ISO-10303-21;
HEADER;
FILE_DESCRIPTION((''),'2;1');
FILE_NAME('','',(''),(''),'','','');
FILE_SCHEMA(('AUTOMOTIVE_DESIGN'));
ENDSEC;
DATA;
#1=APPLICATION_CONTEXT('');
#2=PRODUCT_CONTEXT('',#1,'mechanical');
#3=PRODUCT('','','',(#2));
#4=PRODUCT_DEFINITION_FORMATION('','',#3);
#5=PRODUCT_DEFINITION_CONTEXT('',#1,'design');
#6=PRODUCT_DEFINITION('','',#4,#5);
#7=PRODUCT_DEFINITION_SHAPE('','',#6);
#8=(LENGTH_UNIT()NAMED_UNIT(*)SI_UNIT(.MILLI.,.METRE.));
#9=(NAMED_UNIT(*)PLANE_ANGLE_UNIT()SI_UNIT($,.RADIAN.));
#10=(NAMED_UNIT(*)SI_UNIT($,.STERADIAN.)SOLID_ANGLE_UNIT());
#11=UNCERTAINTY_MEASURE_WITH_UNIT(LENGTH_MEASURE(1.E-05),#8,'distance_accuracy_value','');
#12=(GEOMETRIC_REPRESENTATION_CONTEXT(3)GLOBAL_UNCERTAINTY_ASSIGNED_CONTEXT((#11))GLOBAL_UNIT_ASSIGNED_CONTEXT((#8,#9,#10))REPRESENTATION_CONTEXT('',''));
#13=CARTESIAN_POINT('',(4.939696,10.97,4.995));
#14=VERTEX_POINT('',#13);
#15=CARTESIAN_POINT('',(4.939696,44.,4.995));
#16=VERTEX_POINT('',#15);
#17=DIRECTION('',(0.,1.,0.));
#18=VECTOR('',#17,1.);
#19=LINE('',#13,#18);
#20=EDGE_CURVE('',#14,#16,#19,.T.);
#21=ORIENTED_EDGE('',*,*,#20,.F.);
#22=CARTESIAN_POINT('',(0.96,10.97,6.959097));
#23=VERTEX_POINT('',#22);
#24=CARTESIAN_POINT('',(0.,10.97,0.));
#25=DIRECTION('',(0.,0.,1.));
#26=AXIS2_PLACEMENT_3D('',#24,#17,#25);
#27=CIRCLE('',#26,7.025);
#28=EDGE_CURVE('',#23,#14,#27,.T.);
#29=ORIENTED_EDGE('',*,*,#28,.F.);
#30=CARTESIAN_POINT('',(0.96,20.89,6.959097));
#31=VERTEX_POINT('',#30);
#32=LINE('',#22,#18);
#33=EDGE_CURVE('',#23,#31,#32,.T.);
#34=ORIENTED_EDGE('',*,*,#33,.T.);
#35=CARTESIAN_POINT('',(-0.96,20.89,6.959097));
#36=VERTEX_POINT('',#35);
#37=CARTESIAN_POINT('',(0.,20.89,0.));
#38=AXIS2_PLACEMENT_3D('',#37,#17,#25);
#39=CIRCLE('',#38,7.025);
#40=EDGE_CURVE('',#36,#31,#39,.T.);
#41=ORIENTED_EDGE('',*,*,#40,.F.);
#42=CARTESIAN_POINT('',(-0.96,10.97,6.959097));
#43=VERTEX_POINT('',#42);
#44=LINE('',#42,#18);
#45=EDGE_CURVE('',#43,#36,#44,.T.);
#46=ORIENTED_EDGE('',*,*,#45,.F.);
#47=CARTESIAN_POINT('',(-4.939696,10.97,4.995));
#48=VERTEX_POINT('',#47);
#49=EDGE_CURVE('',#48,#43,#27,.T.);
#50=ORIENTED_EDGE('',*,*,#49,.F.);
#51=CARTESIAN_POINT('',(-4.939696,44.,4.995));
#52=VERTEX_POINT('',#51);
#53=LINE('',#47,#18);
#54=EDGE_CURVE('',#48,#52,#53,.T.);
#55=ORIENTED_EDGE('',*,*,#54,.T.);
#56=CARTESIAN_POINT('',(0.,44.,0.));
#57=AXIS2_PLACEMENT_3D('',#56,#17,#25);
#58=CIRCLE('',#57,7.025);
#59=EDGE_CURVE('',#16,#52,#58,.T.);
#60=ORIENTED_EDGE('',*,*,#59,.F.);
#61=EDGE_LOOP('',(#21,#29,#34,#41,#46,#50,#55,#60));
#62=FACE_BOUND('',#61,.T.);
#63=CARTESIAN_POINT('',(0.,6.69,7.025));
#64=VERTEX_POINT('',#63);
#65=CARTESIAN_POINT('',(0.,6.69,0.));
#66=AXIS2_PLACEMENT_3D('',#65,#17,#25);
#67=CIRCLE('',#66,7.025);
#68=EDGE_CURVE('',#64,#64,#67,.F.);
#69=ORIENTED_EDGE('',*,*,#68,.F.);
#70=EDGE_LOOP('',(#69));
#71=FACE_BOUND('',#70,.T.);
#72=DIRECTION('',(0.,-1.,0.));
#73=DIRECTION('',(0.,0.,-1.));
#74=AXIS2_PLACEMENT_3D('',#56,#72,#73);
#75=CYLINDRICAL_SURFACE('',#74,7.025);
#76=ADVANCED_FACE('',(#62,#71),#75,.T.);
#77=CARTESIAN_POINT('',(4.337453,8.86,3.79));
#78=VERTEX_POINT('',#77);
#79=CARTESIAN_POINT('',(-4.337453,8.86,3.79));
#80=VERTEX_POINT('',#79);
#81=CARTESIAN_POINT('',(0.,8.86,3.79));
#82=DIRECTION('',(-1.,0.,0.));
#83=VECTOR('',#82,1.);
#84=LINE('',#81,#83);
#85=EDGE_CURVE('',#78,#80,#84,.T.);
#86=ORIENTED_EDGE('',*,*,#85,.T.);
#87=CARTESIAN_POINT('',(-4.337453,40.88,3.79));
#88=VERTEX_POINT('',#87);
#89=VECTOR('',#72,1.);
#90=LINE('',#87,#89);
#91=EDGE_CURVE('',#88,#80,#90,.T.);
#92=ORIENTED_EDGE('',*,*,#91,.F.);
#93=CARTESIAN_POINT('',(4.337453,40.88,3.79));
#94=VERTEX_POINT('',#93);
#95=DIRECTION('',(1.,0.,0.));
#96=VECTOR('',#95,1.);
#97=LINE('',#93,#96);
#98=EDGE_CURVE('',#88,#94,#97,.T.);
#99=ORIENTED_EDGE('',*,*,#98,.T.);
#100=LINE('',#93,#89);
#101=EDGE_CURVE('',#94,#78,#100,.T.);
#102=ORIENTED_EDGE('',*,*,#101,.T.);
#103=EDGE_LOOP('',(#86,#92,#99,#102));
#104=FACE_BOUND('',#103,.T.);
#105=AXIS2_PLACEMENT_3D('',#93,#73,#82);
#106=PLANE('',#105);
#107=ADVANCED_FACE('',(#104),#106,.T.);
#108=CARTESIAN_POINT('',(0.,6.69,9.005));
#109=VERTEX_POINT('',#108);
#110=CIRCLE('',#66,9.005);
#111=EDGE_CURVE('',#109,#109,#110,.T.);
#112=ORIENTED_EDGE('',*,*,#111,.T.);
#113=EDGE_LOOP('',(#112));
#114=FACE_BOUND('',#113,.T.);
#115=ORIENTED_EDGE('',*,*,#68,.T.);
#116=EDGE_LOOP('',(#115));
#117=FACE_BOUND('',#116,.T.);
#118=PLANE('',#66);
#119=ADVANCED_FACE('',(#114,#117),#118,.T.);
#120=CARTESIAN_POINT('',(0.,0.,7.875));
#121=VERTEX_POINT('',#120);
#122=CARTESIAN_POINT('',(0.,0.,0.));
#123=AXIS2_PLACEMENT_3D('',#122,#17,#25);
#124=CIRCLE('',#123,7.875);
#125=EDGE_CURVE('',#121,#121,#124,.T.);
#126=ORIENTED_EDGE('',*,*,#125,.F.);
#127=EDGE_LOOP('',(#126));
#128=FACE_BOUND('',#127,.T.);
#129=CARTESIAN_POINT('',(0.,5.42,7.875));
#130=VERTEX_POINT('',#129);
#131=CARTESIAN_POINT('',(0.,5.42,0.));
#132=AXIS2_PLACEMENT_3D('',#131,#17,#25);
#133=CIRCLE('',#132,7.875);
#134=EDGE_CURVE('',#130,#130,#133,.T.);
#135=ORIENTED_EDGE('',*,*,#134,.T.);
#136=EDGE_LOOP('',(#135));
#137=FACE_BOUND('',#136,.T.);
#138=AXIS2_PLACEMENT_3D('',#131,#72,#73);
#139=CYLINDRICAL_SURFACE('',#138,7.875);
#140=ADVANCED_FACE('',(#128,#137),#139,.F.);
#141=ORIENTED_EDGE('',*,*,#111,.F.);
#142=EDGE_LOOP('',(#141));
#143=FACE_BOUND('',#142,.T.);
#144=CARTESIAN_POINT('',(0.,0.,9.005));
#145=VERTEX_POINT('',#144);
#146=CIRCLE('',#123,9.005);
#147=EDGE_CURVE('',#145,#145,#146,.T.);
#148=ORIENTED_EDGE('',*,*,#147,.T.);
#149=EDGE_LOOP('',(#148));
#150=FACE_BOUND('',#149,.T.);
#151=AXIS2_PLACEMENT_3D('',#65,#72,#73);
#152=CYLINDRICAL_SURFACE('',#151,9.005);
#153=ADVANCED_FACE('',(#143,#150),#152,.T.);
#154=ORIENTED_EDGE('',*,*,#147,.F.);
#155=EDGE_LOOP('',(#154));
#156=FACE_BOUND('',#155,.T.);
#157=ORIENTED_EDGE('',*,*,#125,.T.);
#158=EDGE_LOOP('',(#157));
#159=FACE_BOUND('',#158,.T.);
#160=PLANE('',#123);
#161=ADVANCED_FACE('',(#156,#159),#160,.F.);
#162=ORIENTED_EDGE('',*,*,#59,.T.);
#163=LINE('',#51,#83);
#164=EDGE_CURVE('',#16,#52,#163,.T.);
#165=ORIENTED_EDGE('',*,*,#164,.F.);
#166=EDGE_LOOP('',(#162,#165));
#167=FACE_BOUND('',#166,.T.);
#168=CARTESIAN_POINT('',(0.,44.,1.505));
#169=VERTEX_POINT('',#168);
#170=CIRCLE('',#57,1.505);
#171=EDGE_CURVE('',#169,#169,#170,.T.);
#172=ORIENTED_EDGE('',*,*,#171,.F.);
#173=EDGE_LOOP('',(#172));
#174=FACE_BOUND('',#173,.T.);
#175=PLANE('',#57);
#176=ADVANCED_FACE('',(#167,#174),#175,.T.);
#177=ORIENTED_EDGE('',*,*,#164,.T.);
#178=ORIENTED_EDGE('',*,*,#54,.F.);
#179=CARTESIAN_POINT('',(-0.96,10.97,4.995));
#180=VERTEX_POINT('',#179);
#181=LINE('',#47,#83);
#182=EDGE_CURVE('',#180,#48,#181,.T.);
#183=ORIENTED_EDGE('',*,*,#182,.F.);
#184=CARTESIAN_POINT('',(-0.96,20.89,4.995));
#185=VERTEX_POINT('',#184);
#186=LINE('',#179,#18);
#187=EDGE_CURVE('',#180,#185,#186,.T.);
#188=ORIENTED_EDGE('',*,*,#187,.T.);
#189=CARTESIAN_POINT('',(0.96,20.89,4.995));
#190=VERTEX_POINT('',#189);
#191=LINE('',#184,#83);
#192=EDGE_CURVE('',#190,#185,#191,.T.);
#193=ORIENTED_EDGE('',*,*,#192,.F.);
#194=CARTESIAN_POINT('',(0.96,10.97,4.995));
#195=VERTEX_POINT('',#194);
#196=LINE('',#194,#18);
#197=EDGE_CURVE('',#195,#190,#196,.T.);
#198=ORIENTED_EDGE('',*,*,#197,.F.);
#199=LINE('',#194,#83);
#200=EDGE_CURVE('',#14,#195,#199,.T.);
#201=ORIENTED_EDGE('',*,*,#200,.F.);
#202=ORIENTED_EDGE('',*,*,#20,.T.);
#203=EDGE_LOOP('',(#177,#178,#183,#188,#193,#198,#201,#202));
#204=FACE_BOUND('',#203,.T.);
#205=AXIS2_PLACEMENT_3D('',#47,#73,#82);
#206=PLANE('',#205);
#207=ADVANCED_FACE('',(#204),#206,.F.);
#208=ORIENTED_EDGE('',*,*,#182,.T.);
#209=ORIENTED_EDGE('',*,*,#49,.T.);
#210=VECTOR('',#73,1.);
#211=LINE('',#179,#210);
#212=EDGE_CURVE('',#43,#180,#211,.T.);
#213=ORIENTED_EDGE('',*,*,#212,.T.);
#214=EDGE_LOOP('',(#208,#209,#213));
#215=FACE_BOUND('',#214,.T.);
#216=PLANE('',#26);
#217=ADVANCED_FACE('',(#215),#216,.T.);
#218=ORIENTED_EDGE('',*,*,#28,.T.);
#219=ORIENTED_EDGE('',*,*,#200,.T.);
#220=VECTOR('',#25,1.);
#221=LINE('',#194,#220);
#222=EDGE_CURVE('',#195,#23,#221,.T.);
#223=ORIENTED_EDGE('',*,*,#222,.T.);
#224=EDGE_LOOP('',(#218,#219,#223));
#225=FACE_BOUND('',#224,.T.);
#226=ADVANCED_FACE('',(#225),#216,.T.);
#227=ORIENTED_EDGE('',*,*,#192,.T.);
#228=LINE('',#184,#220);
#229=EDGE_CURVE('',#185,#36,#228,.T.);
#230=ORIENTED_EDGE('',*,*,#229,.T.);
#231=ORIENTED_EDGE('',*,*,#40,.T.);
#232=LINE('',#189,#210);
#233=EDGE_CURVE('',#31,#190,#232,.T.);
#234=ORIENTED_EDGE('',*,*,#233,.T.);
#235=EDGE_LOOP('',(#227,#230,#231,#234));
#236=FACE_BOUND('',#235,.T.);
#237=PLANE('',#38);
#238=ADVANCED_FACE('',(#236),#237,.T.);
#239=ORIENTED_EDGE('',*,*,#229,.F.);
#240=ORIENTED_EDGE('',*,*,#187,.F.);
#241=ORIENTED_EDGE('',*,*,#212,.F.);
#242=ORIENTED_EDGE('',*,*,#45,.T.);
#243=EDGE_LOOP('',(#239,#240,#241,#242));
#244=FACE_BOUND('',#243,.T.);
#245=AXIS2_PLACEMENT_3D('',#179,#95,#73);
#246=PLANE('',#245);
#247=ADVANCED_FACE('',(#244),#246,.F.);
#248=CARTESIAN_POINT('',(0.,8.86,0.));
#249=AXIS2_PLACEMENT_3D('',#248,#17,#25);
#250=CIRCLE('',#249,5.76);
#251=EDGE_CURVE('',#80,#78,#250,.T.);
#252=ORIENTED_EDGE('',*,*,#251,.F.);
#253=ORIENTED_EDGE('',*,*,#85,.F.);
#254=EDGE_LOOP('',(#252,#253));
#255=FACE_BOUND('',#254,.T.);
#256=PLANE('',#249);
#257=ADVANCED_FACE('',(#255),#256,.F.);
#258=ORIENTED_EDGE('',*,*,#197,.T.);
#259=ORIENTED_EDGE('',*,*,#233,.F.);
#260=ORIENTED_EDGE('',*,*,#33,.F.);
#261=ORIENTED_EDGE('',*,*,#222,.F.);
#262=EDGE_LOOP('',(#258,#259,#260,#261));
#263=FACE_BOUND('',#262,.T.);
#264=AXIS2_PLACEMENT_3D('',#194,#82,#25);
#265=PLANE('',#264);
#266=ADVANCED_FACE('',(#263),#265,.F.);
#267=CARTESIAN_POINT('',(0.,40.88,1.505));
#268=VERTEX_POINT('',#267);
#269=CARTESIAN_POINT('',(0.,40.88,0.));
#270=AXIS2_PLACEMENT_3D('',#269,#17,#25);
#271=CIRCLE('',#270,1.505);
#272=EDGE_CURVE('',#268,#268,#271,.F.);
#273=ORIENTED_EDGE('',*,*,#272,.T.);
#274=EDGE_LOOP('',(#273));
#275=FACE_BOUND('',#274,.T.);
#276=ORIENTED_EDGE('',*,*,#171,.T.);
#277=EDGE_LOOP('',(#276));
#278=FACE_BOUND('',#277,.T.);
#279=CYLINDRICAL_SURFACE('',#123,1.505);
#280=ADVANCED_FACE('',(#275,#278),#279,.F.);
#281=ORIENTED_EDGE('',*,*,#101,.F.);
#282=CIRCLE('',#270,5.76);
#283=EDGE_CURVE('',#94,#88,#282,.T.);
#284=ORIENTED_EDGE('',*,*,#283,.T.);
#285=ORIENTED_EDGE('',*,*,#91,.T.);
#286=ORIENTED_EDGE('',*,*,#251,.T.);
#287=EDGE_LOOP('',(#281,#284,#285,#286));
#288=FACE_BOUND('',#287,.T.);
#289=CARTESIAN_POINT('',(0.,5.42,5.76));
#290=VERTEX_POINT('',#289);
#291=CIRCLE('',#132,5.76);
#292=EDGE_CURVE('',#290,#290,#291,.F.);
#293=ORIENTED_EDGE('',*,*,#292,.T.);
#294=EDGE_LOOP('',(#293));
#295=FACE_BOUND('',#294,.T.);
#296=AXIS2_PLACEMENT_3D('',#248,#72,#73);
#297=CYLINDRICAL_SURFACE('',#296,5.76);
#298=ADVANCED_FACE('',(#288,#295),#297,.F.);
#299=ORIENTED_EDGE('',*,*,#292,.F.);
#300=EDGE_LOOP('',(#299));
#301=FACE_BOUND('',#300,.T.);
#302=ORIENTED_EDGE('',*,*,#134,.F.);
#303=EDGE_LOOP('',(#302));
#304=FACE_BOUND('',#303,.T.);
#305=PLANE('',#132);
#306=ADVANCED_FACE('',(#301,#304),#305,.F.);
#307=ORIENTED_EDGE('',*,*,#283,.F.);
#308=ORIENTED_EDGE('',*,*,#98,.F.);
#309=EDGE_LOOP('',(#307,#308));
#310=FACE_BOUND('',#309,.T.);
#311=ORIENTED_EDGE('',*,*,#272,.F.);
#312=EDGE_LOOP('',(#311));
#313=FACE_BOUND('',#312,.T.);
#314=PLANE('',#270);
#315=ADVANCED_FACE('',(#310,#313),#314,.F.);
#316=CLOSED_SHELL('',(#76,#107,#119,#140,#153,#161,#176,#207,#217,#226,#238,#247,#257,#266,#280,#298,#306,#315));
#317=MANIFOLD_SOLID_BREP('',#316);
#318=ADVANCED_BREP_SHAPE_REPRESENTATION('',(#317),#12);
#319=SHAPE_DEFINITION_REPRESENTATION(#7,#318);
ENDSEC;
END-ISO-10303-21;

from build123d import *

# Parameters (mm, degrees)
SKETCH1_R           = 9.005
BASE_RING_DEPTH     = 6.69
SKETCH2_R           = 7.025
MAIN_CYLINDER_DEPTH = 44
CUTOUT_PT1_DEPTH    = 33.03
CUTOUT_PT2_DEPTH    = 23.11
SKETCH5_R           = 1.505
TOP_HOLE_DEPTH      = 46.805895363
SKETCH7_R           = 7.875
CUT_EXTRUDE4_DEPTH  = 5.42
SKETCH8_R           = 5.76
CUT_EXTRUDE5_DEPTH  = 8.86
CUT_EXTRUDE6_DEPTH  = 40.88


with BuildPart() as part:
    # Sketch1 → Base Ring (new body)
    with BuildSketch(Plane(origin=(0, 0, 0), x_dir=(1, 0, 0), z_dir=(0, 1, 0))):
        with Locations(Location((0, 0, 0), (0, 0, 270))):
            Circle(SKETCH1_R)
    extrude(amount=BASE_RING_DEPTH)

    # Sketch2 → Main Cylinder (add)
    with BuildSketch(Plane(origin=(0, 0, 0), x_dir=(1, 0, 0), z_dir=(0, 1, 0))):
        with Locations(Location((0, 0, 0), (0, 0, 270))):
            Circle(SKETCH2_R)
    extrude(amount=MAIN_CYLINDER_DEPTH)

    # Sketch3 → Cutout pt1 (cut)
    with BuildSketch(Plane(origin=(0, 44, 0), x_dir=(1, 0, 0), z_dir=(0, 1, 0))):
        with BuildLine():
            Line((-4.939696347, -4.995), (-0.96, -4.995))
            Line((-0.96, -4.995), (-0.96, -6.959096565))
            ThreePointArc((-0.96, -6.959096565), (-3.109022849, -6.299571567), (-4.939696347, -4.995))
        make_face()
        with BuildLine():
            Line((0.96, -4.995), (0.96, -6.959096565))
            ThreePointArc((0.96, -6.959096565), (3.109022849, -6.299571567), (4.939696347, -4.995))
            Line((4.939696347, -4.995), (0.96, -4.995))
        make_face()
    extrude(amount=-CUTOUT_PT1_DEPTH, mode=Mode.SUBTRACT)

    # Sketch4 → Cutout pt2 (cut)
    with BuildSketch(Plane(origin=(0, 44, 0), x_dir=(1, 0, 0), z_dir=(0, 1, 0))):
        with BuildLine():
            Line((-0.96, -4.995), (0.96, -4.995))
            Line((0.96, -4.995), (0.96, -6.959096565))
            ThreePointArc((0.96, -6.959096565), (0, -7.025), (-0.96, -6.959096565))
            Line((-0.96, -6.959096565), (-0.96, -4.995))
        make_face()
    extrude(amount=-CUTOUT_PT2_DEPTH, mode=Mode.SUBTRACT)

    # Sketch5 → Top Hole (cut, through all)
    with BuildSketch(Plane(origin=(0, 44, 0), x_dir=(1, 0, 0), z_dir=(0, 1, 0))):
        with Locations(Location((0, 0, 0), (0, 0, 270))):
            Circle(SKETCH5_R)
    extrude(amount=-TOP_HOLE_DEPTH, mode=Mode.SUBTRACT)

    # Sketch7 → Cut-Extrude4 (cut)
    with BuildSketch(Plane(origin=(0, 0, 0), x_dir=(1, 0, 0), z_dir=(0, 1, 0))):
        with Locations(Location((0, 0, 0), (0, 0, 270))):
            Circle(SKETCH7_R)
    extrude(amount=CUT_EXTRUDE4_DEPTH, mode=Mode.SUBTRACT)

    # Sketch8 → Cut-Extrude5 (cut)
    with BuildSketch(Plane(origin=(0, 0, 0), x_dir=(1, 0, 0), z_dir=(0, 1, 0))):
        with Locations(Location((0, 0, 0), (0, 0, 270))):
            Circle(SKETCH8_R)
    extrude(amount=CUT_EXTRUDE5_DEPTH, mode=Mode.SUBTRACT)

    # Sketch9 → Cut-Extrude6 (cut)
    with BuildSketch(Plane(origin=(0, 0, 0), x_dir=(1, 0, 0), z_dir=(0, 1, 0))):
        with BuildLine():
            Line((4.33745317, -3.79), (-4.33745317, -3.79))
            ThreePointArc((-4.33745317, -3.79), (0, 5.76), (4.33745317, -3.79))
        make_face()
    extrude(amount=CUT_EXTRUDE6_DEPTH, mode=Mode.SUBTRACT)


solid = part.part
